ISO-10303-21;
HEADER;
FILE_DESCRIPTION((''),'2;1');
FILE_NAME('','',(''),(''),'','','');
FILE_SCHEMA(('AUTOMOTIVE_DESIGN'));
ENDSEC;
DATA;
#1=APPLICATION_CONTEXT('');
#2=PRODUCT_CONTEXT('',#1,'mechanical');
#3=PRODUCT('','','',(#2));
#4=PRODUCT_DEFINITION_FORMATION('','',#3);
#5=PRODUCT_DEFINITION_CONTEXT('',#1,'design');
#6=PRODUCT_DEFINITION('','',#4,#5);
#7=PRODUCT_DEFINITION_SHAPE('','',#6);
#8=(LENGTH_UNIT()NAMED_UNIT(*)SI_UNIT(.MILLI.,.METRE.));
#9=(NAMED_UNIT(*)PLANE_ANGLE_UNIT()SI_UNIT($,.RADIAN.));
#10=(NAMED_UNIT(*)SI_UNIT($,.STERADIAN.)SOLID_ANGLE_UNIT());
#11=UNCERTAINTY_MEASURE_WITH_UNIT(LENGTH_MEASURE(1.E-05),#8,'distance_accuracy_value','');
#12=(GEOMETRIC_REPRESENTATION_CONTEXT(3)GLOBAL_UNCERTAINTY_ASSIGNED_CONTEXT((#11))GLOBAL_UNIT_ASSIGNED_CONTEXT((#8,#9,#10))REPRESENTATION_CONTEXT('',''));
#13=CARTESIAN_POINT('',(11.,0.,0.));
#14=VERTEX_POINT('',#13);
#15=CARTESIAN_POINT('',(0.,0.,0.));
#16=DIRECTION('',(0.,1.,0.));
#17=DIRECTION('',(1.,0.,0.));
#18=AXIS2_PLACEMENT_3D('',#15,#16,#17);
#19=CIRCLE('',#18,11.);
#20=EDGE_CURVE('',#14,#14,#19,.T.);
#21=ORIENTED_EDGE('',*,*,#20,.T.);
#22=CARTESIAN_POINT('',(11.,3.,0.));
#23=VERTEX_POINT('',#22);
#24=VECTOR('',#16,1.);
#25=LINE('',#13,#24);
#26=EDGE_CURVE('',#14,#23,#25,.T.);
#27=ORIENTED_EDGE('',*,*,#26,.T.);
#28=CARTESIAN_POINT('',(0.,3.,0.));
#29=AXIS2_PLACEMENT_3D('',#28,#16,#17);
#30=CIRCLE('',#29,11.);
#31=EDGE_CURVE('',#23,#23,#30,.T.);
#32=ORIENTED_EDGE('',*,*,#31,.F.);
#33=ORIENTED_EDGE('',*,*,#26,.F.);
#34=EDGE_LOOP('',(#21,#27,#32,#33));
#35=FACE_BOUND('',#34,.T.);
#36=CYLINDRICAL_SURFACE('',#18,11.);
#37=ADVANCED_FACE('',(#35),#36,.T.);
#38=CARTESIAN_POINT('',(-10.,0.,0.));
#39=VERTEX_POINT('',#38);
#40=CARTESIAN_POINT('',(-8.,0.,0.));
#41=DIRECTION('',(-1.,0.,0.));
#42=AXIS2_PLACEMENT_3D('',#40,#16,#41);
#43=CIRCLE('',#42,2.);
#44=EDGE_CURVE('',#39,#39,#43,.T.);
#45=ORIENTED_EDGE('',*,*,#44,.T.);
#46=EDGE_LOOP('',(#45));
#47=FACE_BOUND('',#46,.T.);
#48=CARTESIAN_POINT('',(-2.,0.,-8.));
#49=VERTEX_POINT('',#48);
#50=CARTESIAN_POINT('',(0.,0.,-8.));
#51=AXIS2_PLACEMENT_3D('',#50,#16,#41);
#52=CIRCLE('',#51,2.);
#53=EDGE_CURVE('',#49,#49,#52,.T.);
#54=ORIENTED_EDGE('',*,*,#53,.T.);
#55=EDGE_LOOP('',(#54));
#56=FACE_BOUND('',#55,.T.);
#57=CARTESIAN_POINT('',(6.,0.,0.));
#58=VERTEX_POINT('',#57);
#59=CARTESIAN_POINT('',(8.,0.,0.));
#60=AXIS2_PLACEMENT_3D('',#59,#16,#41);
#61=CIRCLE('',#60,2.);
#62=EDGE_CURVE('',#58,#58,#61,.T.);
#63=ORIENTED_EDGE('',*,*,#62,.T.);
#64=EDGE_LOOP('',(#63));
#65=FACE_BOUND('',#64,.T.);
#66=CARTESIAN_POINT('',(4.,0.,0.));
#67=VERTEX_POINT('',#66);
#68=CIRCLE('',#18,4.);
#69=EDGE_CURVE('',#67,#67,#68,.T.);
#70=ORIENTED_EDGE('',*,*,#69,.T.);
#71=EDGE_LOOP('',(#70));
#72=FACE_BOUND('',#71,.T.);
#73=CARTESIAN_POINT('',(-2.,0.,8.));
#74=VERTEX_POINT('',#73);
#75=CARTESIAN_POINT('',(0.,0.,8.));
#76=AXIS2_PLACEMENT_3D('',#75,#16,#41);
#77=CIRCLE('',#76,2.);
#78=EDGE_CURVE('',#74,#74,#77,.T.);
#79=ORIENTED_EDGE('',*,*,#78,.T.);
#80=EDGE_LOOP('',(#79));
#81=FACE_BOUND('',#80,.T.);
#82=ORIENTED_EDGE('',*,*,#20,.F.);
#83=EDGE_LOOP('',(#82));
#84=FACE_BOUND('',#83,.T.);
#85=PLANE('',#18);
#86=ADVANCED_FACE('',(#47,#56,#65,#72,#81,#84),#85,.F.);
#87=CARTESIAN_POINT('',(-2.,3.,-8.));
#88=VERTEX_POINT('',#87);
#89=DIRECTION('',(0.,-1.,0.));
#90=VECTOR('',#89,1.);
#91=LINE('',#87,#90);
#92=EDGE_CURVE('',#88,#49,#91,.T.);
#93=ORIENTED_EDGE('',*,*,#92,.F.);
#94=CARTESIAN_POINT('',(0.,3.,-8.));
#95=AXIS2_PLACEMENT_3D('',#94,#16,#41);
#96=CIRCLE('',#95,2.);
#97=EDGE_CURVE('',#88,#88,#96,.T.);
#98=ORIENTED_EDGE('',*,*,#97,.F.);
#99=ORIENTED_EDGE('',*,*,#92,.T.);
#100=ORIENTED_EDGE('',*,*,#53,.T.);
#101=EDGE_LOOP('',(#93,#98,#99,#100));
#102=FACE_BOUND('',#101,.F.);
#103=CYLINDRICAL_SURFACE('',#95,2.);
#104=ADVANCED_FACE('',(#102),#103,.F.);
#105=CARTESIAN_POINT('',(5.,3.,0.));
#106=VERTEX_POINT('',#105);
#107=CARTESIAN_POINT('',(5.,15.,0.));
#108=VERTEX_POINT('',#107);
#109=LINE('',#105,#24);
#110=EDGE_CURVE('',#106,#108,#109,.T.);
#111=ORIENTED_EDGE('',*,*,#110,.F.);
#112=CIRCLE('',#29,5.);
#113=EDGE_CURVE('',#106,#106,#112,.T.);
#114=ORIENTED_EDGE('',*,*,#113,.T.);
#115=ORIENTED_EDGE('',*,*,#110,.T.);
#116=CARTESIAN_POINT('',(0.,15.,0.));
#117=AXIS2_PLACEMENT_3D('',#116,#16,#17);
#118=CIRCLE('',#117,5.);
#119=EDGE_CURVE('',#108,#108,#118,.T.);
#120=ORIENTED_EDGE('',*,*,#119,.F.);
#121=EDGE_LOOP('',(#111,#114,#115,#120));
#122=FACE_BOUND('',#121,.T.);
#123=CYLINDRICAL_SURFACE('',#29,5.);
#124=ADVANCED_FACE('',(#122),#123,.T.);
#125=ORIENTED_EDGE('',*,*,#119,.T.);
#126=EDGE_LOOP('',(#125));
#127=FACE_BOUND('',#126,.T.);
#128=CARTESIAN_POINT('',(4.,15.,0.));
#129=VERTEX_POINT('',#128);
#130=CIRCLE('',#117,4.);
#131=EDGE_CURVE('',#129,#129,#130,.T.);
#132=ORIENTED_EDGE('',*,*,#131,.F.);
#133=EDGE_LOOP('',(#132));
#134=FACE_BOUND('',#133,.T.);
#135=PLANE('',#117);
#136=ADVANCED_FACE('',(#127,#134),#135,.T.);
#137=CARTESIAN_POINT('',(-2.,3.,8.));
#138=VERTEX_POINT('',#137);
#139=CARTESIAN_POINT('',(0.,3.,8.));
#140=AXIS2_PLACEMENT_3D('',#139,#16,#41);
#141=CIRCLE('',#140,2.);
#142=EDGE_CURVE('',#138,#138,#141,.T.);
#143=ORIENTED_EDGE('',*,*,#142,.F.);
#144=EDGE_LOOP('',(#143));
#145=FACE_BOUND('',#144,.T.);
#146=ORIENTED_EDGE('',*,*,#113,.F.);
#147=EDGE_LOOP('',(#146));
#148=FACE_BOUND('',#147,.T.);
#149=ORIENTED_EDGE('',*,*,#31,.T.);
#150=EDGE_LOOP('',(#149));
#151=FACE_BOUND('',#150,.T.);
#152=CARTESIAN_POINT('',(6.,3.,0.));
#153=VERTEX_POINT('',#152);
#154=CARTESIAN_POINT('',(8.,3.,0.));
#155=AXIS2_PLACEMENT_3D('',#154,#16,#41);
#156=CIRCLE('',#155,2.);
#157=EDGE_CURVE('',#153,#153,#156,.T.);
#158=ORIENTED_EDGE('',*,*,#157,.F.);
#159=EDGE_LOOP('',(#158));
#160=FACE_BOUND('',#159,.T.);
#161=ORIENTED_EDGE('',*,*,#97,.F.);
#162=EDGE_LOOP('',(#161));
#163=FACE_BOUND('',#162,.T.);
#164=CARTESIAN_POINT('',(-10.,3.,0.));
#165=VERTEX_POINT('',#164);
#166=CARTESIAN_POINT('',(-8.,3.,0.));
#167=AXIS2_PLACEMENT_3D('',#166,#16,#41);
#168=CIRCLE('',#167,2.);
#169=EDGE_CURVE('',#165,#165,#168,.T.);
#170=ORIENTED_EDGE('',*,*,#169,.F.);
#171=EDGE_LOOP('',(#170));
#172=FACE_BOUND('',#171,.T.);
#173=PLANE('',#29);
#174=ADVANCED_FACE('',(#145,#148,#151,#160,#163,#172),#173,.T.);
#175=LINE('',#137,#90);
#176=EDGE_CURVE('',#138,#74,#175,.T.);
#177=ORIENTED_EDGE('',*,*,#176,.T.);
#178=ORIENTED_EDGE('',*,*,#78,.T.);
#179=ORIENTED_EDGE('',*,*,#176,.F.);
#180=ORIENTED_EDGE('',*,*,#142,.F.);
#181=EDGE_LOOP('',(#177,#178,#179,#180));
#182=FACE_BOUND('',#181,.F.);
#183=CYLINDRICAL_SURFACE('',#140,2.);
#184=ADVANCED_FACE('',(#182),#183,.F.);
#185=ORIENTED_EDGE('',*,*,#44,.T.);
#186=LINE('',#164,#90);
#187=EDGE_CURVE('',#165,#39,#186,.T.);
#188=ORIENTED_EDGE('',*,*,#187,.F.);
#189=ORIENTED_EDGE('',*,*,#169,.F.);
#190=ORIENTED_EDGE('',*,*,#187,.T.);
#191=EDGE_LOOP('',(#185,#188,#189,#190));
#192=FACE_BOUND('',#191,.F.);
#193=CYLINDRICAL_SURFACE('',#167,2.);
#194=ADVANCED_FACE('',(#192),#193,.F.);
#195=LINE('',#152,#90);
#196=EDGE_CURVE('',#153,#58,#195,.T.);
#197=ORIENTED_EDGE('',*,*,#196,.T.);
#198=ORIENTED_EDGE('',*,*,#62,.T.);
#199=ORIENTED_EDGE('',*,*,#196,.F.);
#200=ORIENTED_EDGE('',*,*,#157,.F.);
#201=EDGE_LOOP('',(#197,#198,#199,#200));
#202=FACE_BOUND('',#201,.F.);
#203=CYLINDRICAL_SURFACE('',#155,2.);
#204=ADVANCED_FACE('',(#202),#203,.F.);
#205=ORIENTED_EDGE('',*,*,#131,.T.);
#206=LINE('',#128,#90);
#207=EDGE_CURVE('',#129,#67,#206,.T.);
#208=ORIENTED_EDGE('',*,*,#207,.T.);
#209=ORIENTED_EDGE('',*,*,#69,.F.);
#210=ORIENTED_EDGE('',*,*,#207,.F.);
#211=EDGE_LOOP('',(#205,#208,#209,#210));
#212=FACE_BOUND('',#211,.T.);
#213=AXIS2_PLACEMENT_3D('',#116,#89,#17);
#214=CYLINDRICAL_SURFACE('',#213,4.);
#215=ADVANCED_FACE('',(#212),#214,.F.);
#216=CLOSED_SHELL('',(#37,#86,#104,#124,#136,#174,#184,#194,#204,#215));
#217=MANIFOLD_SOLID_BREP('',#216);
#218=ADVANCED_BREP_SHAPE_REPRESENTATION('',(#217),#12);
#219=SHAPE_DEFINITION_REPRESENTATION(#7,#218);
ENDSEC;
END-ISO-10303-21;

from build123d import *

# Parameters (mm, degrees)
SKETCH2_R          = 2
CUT_EXTRUDE1_DEPTH = 20.646882704


with BuildPart() as part:
    # Sketch1 → Revolve1 (revolve)
    with BuildSketch(Plane.XY, mode=Mode.PRIVATE) as revolve1_sk:
        Polygon((-4, 0), (-11, 0), (-11, 3), (-5, 3), (-5, 15), (-4, 15), align=None)
    revolve(revolve1_sk.sketch.rotate(Axis((0, -177.201778129, 0), (0, 1, 0)), 180), axis=Axis((0, -177.201778129, 0), (0, 1, 0)))

    # Sketch2 → Cut-Extrude1 (cut, through all)
    with BuildSketch(Plane(origin=(0, 3, 0), x_dir=(1, 0, 0), z_dir=(0, 1, 0))):
        with Locations(Location((0, 8, 0), (0, 0, 180))):
            Circle(SKETCH2_R)
        with Locations(Location((8, 0, 0), (0, 0, 180))):
            Circle(SKETCH2_R)
        with Locations(Location((0, -8, 0), (0, 0, 180))):
            Circle(SKETCH2_R)
        with Locations(Location((-8, 0, 0), (0, 0, 180))):
            Circle(SKETCH2_R)
    extrude(amount=-CUT_EXTRUDE1_DEPTH, mode=Mode.SUBTRACT)


solid = part.part
